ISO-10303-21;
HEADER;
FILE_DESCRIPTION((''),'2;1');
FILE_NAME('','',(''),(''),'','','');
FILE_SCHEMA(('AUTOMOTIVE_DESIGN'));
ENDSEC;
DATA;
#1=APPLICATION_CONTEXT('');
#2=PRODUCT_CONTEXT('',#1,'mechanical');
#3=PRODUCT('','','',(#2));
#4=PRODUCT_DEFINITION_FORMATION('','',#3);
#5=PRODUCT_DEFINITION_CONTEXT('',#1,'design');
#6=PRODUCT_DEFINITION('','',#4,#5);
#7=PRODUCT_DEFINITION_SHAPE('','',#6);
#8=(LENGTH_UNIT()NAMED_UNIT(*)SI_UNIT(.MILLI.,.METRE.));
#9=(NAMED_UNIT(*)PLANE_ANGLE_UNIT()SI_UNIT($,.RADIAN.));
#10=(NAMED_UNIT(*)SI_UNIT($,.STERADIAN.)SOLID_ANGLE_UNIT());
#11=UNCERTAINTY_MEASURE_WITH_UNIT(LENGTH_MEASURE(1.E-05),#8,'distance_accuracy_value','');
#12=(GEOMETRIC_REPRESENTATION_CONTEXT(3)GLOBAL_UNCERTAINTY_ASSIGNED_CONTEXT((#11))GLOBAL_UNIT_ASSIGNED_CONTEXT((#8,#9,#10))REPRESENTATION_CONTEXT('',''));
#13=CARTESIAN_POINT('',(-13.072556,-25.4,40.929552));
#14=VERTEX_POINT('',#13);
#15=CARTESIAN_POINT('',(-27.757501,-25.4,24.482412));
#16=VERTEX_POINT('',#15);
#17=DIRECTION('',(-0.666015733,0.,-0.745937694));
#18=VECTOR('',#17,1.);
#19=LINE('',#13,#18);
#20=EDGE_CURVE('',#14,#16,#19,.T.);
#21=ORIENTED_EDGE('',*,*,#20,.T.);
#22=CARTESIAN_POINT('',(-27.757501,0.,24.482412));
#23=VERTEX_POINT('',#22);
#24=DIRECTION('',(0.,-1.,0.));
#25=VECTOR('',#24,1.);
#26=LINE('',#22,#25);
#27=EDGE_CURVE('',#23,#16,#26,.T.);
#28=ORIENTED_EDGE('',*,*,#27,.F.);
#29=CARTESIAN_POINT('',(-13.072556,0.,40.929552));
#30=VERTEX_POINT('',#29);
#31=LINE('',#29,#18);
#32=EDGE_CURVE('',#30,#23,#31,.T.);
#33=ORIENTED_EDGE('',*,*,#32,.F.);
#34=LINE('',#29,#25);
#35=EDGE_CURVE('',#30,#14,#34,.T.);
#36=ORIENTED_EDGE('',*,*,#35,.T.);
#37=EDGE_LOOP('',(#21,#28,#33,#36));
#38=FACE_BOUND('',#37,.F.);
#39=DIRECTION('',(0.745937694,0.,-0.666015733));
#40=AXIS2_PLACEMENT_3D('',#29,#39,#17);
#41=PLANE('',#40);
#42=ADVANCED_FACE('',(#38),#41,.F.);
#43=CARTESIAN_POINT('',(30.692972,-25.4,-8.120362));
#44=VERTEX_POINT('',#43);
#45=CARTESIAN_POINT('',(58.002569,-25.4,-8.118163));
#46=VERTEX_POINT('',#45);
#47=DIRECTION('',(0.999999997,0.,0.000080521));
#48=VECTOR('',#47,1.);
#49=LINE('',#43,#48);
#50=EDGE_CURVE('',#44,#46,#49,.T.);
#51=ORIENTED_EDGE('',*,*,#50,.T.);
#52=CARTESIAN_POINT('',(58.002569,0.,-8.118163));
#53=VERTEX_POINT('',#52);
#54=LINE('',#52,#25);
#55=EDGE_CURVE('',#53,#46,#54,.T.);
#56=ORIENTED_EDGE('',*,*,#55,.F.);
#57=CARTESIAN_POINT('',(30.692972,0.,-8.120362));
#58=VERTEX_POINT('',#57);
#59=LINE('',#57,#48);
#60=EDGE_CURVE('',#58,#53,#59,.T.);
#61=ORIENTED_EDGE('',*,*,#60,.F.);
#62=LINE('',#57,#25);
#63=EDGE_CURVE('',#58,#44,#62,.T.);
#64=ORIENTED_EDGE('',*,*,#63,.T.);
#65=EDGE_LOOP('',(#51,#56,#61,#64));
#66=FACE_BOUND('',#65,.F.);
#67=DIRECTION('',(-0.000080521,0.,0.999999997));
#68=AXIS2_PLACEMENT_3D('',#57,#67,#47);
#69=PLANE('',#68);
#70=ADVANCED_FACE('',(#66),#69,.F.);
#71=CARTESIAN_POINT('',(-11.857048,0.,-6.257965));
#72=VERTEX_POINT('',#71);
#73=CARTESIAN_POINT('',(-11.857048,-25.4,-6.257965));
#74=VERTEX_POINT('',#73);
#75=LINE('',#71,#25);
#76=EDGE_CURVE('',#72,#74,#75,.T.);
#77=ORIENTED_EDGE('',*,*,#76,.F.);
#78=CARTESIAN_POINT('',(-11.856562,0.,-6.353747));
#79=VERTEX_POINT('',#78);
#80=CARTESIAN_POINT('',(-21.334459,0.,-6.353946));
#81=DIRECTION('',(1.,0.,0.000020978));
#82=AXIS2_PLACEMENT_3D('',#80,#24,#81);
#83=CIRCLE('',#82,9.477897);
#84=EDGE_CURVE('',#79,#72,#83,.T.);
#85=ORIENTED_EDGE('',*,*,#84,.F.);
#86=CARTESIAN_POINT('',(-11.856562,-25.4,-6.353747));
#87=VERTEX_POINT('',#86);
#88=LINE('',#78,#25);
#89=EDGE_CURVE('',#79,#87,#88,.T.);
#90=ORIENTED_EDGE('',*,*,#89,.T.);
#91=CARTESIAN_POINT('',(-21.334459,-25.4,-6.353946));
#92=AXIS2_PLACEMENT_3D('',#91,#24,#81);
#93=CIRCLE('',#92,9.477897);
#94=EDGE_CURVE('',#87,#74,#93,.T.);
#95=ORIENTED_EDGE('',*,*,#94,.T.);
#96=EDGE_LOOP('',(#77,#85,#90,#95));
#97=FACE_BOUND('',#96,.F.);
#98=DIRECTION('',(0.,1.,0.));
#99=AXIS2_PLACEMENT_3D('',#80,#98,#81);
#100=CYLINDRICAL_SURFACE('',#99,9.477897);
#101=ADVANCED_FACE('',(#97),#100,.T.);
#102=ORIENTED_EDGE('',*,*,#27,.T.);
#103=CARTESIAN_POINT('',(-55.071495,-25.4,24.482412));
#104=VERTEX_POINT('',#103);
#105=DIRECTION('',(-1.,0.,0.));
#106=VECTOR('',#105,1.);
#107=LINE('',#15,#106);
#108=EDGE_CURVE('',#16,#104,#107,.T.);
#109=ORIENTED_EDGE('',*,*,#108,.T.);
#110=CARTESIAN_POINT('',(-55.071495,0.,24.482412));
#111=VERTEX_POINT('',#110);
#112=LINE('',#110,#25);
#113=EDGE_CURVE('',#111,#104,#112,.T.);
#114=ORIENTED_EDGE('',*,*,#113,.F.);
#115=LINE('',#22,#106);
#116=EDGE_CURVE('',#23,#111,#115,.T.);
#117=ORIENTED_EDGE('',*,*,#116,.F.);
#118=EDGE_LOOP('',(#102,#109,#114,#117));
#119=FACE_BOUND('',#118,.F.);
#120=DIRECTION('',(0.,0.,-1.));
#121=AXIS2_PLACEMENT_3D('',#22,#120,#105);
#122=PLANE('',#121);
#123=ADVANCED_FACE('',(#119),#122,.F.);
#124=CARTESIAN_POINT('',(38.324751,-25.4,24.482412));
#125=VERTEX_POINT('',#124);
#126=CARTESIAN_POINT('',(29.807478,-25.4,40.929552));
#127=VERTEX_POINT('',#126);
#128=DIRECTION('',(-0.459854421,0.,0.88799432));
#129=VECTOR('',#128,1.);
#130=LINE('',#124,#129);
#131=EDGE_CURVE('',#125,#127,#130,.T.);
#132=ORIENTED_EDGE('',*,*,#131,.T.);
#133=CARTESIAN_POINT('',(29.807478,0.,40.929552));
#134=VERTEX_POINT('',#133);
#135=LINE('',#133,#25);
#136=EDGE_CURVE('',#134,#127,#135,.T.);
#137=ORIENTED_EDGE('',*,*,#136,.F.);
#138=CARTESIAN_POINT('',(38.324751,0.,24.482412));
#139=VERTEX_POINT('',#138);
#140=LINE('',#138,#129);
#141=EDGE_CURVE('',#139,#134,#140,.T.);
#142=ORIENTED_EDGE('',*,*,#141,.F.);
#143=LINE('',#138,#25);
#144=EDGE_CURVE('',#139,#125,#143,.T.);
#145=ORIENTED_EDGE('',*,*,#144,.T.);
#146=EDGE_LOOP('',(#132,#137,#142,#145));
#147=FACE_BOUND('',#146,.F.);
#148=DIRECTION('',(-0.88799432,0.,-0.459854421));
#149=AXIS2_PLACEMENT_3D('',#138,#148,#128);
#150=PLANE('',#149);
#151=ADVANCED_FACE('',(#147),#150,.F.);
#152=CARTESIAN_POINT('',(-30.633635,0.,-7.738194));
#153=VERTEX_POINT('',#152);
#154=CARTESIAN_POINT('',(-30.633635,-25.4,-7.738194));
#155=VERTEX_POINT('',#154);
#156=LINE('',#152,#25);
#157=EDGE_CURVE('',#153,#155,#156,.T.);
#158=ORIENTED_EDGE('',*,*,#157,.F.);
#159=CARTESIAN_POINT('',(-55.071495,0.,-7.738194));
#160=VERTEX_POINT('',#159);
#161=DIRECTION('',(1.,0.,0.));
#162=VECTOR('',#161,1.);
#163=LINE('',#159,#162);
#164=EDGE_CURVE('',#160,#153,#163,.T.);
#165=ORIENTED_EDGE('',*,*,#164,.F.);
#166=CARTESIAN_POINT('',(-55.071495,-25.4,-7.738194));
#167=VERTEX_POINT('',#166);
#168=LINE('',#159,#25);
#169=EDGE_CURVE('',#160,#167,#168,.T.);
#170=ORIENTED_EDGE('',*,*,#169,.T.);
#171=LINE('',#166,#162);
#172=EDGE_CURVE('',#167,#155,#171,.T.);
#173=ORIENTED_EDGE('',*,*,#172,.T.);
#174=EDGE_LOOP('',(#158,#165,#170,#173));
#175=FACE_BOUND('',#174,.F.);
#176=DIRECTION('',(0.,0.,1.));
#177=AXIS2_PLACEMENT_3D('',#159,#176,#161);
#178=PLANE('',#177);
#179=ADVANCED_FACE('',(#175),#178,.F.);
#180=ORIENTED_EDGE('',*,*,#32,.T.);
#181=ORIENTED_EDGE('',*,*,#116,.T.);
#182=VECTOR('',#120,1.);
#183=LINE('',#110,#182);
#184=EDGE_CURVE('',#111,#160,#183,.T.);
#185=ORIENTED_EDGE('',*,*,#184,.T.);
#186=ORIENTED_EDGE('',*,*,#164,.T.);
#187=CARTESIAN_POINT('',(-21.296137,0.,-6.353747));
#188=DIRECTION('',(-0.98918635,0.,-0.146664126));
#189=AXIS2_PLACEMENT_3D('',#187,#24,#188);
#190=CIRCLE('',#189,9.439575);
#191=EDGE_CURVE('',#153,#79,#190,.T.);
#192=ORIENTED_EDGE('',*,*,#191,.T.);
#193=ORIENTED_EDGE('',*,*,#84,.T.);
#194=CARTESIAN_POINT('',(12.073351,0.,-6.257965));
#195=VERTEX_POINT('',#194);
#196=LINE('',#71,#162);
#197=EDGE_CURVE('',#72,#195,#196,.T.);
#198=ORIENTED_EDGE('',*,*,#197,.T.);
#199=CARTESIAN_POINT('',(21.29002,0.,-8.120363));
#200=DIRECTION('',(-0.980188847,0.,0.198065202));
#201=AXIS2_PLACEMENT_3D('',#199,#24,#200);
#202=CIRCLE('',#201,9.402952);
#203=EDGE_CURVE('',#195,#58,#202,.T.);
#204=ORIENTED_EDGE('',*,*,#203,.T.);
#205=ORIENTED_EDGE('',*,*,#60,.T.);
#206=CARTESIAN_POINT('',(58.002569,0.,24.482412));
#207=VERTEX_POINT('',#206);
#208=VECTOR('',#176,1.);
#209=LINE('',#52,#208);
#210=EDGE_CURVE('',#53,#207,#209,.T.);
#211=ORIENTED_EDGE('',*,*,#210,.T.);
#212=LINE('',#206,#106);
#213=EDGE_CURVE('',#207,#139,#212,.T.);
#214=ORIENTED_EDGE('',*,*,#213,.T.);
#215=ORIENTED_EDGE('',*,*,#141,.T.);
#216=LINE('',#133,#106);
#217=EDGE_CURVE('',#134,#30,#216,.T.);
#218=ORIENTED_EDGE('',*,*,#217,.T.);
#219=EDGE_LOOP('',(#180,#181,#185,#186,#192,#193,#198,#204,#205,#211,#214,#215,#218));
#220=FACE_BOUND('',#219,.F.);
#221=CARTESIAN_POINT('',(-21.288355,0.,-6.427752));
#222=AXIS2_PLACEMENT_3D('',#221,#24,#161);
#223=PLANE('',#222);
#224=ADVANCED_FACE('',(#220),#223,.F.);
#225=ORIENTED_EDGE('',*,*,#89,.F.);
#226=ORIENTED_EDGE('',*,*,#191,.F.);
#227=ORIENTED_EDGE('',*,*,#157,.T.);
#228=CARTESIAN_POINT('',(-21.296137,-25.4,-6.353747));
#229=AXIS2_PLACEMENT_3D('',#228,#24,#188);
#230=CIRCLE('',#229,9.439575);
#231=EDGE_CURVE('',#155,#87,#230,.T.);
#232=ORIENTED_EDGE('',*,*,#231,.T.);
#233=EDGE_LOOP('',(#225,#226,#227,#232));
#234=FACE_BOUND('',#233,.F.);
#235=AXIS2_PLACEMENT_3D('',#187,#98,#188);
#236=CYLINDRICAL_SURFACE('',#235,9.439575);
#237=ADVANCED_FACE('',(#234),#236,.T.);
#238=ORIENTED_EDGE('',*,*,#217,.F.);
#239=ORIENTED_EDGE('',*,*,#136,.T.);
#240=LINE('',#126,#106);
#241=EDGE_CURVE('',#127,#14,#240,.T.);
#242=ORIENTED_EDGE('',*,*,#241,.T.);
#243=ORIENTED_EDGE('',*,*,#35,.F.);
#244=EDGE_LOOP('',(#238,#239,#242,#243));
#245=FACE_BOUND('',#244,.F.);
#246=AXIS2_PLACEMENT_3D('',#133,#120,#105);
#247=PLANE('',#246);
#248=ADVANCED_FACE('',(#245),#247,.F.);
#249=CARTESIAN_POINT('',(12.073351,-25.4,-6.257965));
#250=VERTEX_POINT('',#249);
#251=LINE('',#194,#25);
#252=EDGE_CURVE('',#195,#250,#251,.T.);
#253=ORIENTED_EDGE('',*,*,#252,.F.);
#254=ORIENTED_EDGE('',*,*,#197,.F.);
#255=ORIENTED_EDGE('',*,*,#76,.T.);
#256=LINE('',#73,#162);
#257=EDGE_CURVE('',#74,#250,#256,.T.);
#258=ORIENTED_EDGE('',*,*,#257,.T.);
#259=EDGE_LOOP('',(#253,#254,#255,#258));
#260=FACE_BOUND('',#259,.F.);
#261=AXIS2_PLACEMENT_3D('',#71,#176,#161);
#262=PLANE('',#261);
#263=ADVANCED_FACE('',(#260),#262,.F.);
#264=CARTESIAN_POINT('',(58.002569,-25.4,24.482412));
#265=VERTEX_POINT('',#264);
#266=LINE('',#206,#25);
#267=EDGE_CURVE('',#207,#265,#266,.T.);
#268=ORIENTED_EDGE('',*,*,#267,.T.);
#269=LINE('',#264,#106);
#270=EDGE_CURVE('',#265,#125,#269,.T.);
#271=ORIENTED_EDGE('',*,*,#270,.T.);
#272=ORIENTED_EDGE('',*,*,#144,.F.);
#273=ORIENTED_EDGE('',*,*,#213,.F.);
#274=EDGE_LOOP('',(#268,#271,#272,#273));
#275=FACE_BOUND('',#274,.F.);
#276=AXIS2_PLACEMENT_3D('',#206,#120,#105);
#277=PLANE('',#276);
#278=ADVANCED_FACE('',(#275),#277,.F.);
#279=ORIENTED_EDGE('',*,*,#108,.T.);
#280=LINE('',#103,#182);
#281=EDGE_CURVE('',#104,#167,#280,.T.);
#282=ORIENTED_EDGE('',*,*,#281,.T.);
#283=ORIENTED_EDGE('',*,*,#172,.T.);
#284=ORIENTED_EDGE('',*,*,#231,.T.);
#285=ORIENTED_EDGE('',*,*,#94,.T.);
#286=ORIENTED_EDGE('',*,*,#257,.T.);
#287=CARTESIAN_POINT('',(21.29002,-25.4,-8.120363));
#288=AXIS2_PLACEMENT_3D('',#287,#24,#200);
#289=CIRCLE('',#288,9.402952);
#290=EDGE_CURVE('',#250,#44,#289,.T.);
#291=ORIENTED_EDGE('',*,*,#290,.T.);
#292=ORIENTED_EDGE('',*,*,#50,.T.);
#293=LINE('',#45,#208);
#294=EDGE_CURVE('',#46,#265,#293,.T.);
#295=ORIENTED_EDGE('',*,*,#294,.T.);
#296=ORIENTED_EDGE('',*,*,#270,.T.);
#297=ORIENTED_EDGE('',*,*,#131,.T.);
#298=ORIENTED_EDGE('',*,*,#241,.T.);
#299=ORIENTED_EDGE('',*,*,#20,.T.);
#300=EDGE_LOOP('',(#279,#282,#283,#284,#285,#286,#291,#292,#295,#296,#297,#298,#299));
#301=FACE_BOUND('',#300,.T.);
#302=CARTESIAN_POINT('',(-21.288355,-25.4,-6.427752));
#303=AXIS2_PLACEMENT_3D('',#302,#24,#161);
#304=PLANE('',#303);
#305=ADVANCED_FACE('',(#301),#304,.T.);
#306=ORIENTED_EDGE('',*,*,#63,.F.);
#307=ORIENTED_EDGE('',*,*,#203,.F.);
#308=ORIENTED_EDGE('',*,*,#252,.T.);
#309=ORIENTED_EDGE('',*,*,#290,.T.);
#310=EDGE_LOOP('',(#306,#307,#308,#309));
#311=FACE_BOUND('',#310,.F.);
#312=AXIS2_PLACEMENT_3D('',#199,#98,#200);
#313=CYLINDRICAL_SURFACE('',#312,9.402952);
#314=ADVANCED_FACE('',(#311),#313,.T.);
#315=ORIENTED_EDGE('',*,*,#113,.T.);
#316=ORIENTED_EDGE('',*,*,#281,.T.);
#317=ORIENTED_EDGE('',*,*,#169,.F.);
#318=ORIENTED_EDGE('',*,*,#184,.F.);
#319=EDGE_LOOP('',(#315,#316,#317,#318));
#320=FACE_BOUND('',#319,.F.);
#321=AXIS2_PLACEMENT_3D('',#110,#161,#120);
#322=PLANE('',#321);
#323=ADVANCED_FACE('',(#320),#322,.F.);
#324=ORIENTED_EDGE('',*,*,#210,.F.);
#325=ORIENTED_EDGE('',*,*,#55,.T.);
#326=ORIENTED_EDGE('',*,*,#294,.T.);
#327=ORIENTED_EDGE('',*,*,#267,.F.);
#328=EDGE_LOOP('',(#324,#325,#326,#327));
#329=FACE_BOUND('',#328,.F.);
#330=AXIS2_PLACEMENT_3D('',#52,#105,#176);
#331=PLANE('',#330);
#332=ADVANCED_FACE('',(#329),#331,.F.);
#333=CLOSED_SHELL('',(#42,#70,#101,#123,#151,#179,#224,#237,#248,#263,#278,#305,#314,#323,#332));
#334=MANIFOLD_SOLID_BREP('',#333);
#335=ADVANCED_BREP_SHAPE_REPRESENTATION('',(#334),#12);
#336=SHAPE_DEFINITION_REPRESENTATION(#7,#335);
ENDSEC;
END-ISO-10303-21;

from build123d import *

# Parameters (mm, degrees)
F1_DEPTH = 25.4


with BuildPart() as f1:
    # F0 (on Front) → F1 (new body)
    with BuildSketch(Plane.XZ):
        with BuildLine():
            ThreePointArc((-11.857048, -6.257965), (-22.037992, 3.056631), (-30.633635, -7.738194))
            ThreePointArc((-30.633635, -7.738194), (-20.602034, -15.767768), (-11.856562, -6.353747))
            ThreePointArc((-11.856562, -6.353747), (-11.856684, -6.305856), (-11.857048, -6.257965))
        make_face()
        with BuildLine():
            ThreePointArc((30.692972, -8.120362), (22.225865, 1.235903), (12.073351, -6.257965))
            ThreePointArc((12.073351, -6.257965), (20.354174, -17.476628), (30.692972, -8.120362))
        make_face()
        with BuildLine():
            Line((-55.071495, 24.482412), (-55.071495, -7.738194))
            Line((-55.071495, -7.738194), (-30.633635, -7.738194))
            ThreePointArc((-30.633635, -7.738194), (-22.037992, 3.056631), (-11.857048, -6.257965))
            Line((-11.857048, -6.257965), (12.073351, -6.257965))
            ThreePointArc((12.073351, -6.257965), (22.225865, 1.235903), (30.692972, -8.120362))
            Line((30.692972, -8.120362), (58.002569, -8.118163))
            Line((58.002569, -8.118163), (58.002569, 24.482412))
            Line((58.002569, 24.482412), (38.324751, 24.482412))
            Line((38.324751, 24.482412), (29.807478, 40.929552))
            Line((29.807478, 40.929552), (-13.072556, 40.929552))
            Line((-13.072556, 40.929552), (-27.757501, 24.482412))
            Line((-27.757501, 24.482412), (-55.071495, 24.482412))
        make_face()
    extrude(amount=F1_DEPTH)


solid = f1.part
